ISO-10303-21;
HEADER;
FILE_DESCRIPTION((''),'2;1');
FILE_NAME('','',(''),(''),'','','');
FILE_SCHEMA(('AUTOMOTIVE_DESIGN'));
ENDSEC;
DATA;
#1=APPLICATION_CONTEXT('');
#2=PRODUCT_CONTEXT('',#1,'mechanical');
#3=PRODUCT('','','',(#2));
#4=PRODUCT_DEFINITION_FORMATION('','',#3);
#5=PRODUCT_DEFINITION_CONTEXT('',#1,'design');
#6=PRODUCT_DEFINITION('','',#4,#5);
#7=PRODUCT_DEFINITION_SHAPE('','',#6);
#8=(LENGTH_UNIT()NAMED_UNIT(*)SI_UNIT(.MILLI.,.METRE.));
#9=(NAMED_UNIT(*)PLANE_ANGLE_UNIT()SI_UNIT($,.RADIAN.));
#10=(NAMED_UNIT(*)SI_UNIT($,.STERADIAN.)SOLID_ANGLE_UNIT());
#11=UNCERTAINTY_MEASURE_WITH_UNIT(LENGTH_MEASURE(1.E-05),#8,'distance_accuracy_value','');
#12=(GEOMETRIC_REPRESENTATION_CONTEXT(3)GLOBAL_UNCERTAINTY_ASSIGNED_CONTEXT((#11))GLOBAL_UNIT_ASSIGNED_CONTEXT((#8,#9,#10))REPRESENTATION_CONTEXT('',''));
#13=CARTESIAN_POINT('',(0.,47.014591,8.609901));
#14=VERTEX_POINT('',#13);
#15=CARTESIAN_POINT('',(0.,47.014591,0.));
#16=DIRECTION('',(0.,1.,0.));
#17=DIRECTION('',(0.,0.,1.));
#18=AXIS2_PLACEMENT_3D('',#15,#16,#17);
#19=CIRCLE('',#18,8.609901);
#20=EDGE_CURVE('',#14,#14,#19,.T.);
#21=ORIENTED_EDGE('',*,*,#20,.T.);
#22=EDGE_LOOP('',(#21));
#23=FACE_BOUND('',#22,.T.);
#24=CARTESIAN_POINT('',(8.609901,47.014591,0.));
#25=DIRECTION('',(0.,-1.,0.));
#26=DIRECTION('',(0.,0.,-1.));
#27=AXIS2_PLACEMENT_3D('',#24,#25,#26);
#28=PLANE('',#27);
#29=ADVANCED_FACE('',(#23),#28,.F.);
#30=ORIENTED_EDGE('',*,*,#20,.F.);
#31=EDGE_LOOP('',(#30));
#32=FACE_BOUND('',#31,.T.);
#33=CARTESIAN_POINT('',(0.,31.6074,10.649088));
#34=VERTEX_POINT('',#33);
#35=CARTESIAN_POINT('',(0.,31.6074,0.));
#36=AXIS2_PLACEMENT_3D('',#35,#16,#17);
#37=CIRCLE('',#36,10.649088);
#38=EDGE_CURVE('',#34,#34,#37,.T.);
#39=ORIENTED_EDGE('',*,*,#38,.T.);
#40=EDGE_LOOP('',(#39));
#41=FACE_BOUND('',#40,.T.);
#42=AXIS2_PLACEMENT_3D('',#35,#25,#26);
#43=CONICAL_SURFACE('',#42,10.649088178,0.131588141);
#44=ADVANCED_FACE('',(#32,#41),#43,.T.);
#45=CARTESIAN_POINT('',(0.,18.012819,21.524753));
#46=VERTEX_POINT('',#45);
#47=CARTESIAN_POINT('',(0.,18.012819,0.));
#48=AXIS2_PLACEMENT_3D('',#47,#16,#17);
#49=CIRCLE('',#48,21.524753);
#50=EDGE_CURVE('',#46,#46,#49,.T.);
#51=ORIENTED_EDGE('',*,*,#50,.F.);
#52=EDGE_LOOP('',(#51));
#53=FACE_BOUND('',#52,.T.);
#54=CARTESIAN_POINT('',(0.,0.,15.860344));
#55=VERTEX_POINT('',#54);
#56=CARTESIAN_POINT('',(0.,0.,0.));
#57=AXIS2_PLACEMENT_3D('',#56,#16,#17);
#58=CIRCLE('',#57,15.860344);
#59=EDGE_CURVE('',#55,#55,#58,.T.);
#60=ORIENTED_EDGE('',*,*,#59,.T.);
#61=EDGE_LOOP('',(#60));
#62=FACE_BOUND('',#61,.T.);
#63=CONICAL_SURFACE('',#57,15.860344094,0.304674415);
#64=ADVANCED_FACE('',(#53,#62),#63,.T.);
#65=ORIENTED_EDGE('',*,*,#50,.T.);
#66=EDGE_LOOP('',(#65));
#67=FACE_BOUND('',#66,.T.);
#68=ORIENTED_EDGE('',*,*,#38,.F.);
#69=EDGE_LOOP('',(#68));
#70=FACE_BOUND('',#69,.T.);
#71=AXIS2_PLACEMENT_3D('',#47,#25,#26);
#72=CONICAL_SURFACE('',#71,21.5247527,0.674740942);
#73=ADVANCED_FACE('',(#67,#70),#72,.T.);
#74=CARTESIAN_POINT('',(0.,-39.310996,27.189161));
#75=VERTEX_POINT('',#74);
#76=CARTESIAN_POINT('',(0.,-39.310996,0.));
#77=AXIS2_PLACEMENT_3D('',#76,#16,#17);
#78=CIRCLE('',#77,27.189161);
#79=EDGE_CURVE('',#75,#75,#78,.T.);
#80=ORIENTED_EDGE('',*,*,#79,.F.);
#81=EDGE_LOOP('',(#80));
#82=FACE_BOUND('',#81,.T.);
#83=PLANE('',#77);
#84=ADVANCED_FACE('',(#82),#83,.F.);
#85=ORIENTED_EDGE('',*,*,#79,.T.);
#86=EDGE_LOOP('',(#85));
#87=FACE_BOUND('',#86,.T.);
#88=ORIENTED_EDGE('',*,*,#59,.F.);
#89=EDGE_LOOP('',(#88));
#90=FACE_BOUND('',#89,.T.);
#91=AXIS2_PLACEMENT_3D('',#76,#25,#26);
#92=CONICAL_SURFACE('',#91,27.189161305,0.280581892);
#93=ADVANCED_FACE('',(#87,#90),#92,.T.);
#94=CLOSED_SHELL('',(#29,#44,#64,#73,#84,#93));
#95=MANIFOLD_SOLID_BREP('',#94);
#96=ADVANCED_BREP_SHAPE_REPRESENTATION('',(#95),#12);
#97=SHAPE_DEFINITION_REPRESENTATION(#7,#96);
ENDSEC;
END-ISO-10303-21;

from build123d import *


with BuildPart() as part:
    # Sketch1 → Revolve1 (revolve)
    with BuildSketch(Plane.XY, mode=Mode.PRIVATE) as revolve1_sk:
        Polygon((0, 47.014591423), (0, -39.31099572), (27.189161305, -39.31099572), (15.860344094, 0), (21.5247527, 18.012819364), (10.649088178, 31.607400017), (8.60990108, 47.014591423), align=None)
    revolve(revolve1_sk.sketch.rotate(Axis((0, 47.014591423, 0), (0, -1, 0)), 90), axis=Axis((0, 47.014591423, 0), (0, -1, 0)))


solid = part.part
